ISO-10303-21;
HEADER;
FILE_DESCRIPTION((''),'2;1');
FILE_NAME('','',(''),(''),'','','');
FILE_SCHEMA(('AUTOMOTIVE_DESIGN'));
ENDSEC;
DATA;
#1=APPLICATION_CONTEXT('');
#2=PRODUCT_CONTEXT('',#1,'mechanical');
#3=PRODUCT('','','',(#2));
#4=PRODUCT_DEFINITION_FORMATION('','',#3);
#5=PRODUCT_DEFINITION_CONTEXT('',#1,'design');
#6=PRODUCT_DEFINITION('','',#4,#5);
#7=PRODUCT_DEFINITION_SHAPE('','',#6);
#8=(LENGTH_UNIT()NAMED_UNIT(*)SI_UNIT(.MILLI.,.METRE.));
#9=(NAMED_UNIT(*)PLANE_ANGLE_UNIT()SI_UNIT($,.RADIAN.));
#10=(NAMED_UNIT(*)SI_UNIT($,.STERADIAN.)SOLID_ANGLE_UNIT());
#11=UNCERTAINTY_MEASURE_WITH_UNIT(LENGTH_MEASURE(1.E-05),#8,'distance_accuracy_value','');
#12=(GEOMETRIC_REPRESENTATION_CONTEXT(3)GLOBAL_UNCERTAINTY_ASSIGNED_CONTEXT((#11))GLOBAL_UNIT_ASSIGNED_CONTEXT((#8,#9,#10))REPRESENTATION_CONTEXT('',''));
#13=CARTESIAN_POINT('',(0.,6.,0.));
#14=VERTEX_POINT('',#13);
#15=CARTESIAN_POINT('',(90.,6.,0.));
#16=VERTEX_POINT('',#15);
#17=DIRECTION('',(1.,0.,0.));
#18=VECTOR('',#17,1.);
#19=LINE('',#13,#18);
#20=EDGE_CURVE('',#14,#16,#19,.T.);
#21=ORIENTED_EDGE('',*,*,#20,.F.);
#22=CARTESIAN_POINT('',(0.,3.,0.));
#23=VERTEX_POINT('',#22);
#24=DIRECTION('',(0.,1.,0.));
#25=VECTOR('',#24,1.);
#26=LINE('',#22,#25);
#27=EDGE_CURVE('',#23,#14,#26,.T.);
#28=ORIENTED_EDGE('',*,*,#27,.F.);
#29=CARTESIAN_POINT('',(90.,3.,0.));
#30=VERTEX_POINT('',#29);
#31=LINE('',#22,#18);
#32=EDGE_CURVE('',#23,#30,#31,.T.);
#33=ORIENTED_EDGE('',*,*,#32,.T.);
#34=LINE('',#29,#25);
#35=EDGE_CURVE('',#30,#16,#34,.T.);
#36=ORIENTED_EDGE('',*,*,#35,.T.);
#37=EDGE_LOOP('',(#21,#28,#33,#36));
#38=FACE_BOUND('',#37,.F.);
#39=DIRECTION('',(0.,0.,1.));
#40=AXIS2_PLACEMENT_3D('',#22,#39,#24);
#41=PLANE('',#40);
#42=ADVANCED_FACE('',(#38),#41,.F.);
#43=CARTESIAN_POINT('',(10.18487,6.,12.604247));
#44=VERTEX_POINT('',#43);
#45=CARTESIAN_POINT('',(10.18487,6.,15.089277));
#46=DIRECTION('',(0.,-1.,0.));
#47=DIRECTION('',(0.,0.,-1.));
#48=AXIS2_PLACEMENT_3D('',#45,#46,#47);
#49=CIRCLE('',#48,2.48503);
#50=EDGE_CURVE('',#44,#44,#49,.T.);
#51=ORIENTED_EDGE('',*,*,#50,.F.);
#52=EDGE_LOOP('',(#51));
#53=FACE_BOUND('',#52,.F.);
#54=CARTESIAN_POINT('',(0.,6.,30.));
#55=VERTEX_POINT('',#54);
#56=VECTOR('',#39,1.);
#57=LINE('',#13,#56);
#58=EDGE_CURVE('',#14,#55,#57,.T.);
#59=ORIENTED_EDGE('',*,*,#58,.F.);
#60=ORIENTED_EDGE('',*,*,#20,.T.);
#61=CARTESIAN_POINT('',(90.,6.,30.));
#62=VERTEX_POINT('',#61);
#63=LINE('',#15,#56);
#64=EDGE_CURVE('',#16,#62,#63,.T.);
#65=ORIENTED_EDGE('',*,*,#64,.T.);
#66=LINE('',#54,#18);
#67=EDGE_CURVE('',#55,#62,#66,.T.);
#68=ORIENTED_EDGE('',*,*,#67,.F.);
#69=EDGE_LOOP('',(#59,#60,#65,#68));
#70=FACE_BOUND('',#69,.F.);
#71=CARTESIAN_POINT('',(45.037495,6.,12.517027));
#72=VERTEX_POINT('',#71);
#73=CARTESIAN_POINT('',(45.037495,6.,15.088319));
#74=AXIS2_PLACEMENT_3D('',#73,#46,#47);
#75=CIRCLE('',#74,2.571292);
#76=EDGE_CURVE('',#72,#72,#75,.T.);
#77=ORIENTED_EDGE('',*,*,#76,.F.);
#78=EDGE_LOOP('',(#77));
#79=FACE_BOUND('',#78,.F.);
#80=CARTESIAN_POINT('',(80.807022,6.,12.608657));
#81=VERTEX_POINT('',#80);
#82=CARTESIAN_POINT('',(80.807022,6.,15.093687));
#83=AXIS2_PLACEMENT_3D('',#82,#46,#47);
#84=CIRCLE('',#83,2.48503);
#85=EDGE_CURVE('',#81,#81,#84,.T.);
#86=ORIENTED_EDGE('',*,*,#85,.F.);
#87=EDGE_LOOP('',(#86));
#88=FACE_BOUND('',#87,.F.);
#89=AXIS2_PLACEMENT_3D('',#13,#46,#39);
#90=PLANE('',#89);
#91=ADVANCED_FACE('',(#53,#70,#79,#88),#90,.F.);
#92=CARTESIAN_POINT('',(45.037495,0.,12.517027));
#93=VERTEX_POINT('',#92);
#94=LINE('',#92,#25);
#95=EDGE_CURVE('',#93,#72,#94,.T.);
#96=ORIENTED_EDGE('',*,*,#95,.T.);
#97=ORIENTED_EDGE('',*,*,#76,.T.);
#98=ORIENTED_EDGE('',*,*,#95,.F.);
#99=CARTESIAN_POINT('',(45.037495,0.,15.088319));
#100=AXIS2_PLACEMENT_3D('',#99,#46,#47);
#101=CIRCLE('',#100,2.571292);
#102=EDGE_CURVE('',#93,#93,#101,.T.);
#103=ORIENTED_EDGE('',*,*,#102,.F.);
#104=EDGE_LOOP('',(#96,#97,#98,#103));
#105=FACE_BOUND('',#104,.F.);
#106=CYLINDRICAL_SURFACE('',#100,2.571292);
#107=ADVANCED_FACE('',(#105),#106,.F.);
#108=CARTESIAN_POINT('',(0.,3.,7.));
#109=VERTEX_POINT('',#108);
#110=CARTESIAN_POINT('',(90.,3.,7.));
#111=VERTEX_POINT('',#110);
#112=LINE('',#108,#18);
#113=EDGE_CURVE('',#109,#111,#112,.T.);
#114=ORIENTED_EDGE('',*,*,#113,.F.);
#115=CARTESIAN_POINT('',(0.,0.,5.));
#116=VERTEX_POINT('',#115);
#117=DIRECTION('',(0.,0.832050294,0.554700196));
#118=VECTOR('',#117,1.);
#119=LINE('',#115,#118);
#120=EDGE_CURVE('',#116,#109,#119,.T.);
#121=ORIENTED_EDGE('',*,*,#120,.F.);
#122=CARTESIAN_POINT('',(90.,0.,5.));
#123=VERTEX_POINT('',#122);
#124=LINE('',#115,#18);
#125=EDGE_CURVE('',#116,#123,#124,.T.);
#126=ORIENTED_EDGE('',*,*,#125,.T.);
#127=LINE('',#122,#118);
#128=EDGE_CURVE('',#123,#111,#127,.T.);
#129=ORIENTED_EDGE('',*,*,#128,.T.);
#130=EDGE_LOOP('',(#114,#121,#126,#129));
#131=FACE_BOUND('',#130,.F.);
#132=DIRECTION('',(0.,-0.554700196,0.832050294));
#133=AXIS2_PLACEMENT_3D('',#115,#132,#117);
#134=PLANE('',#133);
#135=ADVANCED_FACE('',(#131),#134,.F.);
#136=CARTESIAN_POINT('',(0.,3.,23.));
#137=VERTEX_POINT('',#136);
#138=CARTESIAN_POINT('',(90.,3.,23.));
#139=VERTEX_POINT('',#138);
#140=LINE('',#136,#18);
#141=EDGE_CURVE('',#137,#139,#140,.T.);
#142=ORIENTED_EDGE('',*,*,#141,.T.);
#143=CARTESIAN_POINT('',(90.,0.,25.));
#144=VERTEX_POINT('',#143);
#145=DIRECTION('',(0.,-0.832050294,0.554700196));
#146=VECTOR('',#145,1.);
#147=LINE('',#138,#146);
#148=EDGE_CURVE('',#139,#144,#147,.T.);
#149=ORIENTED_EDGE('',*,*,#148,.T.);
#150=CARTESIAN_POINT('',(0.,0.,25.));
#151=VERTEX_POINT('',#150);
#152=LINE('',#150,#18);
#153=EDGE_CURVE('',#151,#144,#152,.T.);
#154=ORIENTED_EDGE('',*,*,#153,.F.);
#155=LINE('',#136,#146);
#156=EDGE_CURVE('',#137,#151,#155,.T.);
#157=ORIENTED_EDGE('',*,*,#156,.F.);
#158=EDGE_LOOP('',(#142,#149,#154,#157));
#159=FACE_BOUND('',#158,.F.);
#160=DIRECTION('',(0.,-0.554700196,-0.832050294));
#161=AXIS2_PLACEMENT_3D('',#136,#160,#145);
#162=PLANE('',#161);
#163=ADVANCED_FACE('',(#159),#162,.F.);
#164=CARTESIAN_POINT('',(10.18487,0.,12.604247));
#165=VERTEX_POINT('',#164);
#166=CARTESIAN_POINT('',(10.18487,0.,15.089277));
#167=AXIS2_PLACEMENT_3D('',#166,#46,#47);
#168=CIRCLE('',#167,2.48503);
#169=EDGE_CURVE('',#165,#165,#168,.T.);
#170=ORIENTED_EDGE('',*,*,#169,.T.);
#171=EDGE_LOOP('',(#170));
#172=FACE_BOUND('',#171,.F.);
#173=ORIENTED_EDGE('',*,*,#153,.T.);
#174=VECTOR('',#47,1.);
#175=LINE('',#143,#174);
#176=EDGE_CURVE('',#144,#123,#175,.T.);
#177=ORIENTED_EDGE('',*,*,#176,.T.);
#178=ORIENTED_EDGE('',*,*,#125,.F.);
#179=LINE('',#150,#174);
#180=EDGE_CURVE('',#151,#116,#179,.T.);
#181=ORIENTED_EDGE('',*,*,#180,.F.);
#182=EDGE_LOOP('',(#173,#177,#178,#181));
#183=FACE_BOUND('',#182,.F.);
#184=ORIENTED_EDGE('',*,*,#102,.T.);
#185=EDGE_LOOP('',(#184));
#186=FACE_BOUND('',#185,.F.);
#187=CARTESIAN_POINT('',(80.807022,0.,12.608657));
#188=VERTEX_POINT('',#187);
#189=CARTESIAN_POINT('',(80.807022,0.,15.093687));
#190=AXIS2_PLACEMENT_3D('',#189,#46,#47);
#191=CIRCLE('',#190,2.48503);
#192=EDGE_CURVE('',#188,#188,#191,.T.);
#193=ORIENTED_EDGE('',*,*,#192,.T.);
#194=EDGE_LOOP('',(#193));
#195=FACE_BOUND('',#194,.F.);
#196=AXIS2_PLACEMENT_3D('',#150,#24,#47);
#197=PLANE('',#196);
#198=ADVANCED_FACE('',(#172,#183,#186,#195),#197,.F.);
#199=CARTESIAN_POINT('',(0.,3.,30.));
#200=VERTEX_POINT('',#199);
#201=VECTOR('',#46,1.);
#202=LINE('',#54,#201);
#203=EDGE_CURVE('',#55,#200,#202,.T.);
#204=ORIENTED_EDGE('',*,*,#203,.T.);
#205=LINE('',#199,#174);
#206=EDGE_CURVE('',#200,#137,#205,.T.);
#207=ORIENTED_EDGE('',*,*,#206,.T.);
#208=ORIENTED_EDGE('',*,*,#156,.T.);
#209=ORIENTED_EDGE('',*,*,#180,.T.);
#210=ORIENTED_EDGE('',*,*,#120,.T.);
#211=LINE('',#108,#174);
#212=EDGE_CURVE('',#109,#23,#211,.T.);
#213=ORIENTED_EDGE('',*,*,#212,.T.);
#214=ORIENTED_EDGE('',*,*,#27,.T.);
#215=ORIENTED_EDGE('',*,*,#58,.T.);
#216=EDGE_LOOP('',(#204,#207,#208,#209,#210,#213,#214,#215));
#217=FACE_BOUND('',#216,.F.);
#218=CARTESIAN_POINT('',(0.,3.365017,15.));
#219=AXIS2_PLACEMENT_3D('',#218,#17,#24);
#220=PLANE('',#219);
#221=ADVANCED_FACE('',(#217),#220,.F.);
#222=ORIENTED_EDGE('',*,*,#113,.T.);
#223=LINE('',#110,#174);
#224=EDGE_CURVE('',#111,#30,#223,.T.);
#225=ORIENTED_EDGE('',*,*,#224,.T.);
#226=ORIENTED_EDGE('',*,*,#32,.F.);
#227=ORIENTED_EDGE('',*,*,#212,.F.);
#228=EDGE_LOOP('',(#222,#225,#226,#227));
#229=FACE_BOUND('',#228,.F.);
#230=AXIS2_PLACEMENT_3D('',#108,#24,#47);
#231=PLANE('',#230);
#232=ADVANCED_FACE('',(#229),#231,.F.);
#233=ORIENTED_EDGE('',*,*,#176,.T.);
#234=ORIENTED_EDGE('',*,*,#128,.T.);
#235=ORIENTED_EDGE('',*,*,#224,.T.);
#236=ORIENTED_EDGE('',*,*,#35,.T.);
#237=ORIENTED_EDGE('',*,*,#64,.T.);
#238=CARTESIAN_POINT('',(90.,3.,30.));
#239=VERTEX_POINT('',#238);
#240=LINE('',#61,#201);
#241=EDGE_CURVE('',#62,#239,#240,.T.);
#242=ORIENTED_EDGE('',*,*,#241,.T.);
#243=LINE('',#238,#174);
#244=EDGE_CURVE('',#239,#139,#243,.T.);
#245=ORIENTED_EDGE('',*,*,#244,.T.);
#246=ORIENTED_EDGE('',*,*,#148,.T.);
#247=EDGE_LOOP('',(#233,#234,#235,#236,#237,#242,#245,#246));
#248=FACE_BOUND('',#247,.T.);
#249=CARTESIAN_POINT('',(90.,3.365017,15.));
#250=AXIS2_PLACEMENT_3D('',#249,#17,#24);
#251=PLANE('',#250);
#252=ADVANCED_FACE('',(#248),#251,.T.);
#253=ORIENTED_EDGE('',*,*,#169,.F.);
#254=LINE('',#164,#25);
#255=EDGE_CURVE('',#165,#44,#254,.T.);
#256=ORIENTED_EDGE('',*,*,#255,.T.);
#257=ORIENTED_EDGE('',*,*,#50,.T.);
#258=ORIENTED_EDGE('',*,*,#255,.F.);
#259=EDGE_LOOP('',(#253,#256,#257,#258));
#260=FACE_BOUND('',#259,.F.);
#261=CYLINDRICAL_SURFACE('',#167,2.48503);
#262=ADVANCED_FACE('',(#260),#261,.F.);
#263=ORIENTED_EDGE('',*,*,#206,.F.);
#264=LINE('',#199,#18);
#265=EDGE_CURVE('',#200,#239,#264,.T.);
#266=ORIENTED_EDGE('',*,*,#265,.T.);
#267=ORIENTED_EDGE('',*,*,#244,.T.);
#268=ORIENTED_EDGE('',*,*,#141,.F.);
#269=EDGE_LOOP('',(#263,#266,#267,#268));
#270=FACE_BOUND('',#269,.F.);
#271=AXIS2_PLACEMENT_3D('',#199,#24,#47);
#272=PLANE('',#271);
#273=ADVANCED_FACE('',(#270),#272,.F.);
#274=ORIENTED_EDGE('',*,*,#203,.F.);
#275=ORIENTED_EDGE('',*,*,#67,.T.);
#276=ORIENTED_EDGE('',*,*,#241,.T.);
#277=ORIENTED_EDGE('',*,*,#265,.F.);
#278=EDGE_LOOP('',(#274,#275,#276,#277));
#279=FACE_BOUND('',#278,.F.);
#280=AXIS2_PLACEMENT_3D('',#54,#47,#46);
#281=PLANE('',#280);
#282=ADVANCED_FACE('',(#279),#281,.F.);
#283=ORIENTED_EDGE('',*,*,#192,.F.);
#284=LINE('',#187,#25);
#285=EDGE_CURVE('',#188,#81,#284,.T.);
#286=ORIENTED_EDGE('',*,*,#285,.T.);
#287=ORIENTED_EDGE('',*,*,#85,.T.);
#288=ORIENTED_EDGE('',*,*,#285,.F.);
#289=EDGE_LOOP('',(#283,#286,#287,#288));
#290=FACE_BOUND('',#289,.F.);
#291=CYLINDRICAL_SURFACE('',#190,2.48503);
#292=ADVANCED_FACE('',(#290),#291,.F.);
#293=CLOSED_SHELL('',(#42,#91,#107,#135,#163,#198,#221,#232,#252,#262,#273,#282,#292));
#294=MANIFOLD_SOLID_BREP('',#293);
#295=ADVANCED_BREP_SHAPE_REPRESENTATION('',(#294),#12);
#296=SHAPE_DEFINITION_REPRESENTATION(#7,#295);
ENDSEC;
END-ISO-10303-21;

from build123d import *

# Parameters (mm, degrees)
PAD_DEPTH     = 90
SKETCH001_R   = 2.571292
SKETCH001_R_2 = 2.48503
POCKET_DEPTH  = 6


with BuildPart() as part:
    # Sketch → Pad (new body)
    with BuildSketch(Plane.YZ):
        Polygon((6, 0), (6, 30), (3, 30), (3, 23), (0, 25), (0, 5), (3, 7), (3, 0), align=None)
    extrude(amount=PAD_DEPTH)

    # Sketch001 → Pocket (cut)
    with BuildSketch(Plane(origin=(0, 0, 0), x_dir=(0, 0, -1), z_dir=(0, -1, 0))):
        with Locations((-15.088319, 45.037495)):
            Circle(SKETCH001_R)
        with Locations((-15.093687, 80.807022)):
            Circle(SKETCH001_R_2)
        with Locations((-15.089277, 10.18487)):
            Circle(SKETCH001_R_2)
    extrude(amount=-POCKET_DEPTH, mode=Mode.SUBTRACT)


solid = part.part
